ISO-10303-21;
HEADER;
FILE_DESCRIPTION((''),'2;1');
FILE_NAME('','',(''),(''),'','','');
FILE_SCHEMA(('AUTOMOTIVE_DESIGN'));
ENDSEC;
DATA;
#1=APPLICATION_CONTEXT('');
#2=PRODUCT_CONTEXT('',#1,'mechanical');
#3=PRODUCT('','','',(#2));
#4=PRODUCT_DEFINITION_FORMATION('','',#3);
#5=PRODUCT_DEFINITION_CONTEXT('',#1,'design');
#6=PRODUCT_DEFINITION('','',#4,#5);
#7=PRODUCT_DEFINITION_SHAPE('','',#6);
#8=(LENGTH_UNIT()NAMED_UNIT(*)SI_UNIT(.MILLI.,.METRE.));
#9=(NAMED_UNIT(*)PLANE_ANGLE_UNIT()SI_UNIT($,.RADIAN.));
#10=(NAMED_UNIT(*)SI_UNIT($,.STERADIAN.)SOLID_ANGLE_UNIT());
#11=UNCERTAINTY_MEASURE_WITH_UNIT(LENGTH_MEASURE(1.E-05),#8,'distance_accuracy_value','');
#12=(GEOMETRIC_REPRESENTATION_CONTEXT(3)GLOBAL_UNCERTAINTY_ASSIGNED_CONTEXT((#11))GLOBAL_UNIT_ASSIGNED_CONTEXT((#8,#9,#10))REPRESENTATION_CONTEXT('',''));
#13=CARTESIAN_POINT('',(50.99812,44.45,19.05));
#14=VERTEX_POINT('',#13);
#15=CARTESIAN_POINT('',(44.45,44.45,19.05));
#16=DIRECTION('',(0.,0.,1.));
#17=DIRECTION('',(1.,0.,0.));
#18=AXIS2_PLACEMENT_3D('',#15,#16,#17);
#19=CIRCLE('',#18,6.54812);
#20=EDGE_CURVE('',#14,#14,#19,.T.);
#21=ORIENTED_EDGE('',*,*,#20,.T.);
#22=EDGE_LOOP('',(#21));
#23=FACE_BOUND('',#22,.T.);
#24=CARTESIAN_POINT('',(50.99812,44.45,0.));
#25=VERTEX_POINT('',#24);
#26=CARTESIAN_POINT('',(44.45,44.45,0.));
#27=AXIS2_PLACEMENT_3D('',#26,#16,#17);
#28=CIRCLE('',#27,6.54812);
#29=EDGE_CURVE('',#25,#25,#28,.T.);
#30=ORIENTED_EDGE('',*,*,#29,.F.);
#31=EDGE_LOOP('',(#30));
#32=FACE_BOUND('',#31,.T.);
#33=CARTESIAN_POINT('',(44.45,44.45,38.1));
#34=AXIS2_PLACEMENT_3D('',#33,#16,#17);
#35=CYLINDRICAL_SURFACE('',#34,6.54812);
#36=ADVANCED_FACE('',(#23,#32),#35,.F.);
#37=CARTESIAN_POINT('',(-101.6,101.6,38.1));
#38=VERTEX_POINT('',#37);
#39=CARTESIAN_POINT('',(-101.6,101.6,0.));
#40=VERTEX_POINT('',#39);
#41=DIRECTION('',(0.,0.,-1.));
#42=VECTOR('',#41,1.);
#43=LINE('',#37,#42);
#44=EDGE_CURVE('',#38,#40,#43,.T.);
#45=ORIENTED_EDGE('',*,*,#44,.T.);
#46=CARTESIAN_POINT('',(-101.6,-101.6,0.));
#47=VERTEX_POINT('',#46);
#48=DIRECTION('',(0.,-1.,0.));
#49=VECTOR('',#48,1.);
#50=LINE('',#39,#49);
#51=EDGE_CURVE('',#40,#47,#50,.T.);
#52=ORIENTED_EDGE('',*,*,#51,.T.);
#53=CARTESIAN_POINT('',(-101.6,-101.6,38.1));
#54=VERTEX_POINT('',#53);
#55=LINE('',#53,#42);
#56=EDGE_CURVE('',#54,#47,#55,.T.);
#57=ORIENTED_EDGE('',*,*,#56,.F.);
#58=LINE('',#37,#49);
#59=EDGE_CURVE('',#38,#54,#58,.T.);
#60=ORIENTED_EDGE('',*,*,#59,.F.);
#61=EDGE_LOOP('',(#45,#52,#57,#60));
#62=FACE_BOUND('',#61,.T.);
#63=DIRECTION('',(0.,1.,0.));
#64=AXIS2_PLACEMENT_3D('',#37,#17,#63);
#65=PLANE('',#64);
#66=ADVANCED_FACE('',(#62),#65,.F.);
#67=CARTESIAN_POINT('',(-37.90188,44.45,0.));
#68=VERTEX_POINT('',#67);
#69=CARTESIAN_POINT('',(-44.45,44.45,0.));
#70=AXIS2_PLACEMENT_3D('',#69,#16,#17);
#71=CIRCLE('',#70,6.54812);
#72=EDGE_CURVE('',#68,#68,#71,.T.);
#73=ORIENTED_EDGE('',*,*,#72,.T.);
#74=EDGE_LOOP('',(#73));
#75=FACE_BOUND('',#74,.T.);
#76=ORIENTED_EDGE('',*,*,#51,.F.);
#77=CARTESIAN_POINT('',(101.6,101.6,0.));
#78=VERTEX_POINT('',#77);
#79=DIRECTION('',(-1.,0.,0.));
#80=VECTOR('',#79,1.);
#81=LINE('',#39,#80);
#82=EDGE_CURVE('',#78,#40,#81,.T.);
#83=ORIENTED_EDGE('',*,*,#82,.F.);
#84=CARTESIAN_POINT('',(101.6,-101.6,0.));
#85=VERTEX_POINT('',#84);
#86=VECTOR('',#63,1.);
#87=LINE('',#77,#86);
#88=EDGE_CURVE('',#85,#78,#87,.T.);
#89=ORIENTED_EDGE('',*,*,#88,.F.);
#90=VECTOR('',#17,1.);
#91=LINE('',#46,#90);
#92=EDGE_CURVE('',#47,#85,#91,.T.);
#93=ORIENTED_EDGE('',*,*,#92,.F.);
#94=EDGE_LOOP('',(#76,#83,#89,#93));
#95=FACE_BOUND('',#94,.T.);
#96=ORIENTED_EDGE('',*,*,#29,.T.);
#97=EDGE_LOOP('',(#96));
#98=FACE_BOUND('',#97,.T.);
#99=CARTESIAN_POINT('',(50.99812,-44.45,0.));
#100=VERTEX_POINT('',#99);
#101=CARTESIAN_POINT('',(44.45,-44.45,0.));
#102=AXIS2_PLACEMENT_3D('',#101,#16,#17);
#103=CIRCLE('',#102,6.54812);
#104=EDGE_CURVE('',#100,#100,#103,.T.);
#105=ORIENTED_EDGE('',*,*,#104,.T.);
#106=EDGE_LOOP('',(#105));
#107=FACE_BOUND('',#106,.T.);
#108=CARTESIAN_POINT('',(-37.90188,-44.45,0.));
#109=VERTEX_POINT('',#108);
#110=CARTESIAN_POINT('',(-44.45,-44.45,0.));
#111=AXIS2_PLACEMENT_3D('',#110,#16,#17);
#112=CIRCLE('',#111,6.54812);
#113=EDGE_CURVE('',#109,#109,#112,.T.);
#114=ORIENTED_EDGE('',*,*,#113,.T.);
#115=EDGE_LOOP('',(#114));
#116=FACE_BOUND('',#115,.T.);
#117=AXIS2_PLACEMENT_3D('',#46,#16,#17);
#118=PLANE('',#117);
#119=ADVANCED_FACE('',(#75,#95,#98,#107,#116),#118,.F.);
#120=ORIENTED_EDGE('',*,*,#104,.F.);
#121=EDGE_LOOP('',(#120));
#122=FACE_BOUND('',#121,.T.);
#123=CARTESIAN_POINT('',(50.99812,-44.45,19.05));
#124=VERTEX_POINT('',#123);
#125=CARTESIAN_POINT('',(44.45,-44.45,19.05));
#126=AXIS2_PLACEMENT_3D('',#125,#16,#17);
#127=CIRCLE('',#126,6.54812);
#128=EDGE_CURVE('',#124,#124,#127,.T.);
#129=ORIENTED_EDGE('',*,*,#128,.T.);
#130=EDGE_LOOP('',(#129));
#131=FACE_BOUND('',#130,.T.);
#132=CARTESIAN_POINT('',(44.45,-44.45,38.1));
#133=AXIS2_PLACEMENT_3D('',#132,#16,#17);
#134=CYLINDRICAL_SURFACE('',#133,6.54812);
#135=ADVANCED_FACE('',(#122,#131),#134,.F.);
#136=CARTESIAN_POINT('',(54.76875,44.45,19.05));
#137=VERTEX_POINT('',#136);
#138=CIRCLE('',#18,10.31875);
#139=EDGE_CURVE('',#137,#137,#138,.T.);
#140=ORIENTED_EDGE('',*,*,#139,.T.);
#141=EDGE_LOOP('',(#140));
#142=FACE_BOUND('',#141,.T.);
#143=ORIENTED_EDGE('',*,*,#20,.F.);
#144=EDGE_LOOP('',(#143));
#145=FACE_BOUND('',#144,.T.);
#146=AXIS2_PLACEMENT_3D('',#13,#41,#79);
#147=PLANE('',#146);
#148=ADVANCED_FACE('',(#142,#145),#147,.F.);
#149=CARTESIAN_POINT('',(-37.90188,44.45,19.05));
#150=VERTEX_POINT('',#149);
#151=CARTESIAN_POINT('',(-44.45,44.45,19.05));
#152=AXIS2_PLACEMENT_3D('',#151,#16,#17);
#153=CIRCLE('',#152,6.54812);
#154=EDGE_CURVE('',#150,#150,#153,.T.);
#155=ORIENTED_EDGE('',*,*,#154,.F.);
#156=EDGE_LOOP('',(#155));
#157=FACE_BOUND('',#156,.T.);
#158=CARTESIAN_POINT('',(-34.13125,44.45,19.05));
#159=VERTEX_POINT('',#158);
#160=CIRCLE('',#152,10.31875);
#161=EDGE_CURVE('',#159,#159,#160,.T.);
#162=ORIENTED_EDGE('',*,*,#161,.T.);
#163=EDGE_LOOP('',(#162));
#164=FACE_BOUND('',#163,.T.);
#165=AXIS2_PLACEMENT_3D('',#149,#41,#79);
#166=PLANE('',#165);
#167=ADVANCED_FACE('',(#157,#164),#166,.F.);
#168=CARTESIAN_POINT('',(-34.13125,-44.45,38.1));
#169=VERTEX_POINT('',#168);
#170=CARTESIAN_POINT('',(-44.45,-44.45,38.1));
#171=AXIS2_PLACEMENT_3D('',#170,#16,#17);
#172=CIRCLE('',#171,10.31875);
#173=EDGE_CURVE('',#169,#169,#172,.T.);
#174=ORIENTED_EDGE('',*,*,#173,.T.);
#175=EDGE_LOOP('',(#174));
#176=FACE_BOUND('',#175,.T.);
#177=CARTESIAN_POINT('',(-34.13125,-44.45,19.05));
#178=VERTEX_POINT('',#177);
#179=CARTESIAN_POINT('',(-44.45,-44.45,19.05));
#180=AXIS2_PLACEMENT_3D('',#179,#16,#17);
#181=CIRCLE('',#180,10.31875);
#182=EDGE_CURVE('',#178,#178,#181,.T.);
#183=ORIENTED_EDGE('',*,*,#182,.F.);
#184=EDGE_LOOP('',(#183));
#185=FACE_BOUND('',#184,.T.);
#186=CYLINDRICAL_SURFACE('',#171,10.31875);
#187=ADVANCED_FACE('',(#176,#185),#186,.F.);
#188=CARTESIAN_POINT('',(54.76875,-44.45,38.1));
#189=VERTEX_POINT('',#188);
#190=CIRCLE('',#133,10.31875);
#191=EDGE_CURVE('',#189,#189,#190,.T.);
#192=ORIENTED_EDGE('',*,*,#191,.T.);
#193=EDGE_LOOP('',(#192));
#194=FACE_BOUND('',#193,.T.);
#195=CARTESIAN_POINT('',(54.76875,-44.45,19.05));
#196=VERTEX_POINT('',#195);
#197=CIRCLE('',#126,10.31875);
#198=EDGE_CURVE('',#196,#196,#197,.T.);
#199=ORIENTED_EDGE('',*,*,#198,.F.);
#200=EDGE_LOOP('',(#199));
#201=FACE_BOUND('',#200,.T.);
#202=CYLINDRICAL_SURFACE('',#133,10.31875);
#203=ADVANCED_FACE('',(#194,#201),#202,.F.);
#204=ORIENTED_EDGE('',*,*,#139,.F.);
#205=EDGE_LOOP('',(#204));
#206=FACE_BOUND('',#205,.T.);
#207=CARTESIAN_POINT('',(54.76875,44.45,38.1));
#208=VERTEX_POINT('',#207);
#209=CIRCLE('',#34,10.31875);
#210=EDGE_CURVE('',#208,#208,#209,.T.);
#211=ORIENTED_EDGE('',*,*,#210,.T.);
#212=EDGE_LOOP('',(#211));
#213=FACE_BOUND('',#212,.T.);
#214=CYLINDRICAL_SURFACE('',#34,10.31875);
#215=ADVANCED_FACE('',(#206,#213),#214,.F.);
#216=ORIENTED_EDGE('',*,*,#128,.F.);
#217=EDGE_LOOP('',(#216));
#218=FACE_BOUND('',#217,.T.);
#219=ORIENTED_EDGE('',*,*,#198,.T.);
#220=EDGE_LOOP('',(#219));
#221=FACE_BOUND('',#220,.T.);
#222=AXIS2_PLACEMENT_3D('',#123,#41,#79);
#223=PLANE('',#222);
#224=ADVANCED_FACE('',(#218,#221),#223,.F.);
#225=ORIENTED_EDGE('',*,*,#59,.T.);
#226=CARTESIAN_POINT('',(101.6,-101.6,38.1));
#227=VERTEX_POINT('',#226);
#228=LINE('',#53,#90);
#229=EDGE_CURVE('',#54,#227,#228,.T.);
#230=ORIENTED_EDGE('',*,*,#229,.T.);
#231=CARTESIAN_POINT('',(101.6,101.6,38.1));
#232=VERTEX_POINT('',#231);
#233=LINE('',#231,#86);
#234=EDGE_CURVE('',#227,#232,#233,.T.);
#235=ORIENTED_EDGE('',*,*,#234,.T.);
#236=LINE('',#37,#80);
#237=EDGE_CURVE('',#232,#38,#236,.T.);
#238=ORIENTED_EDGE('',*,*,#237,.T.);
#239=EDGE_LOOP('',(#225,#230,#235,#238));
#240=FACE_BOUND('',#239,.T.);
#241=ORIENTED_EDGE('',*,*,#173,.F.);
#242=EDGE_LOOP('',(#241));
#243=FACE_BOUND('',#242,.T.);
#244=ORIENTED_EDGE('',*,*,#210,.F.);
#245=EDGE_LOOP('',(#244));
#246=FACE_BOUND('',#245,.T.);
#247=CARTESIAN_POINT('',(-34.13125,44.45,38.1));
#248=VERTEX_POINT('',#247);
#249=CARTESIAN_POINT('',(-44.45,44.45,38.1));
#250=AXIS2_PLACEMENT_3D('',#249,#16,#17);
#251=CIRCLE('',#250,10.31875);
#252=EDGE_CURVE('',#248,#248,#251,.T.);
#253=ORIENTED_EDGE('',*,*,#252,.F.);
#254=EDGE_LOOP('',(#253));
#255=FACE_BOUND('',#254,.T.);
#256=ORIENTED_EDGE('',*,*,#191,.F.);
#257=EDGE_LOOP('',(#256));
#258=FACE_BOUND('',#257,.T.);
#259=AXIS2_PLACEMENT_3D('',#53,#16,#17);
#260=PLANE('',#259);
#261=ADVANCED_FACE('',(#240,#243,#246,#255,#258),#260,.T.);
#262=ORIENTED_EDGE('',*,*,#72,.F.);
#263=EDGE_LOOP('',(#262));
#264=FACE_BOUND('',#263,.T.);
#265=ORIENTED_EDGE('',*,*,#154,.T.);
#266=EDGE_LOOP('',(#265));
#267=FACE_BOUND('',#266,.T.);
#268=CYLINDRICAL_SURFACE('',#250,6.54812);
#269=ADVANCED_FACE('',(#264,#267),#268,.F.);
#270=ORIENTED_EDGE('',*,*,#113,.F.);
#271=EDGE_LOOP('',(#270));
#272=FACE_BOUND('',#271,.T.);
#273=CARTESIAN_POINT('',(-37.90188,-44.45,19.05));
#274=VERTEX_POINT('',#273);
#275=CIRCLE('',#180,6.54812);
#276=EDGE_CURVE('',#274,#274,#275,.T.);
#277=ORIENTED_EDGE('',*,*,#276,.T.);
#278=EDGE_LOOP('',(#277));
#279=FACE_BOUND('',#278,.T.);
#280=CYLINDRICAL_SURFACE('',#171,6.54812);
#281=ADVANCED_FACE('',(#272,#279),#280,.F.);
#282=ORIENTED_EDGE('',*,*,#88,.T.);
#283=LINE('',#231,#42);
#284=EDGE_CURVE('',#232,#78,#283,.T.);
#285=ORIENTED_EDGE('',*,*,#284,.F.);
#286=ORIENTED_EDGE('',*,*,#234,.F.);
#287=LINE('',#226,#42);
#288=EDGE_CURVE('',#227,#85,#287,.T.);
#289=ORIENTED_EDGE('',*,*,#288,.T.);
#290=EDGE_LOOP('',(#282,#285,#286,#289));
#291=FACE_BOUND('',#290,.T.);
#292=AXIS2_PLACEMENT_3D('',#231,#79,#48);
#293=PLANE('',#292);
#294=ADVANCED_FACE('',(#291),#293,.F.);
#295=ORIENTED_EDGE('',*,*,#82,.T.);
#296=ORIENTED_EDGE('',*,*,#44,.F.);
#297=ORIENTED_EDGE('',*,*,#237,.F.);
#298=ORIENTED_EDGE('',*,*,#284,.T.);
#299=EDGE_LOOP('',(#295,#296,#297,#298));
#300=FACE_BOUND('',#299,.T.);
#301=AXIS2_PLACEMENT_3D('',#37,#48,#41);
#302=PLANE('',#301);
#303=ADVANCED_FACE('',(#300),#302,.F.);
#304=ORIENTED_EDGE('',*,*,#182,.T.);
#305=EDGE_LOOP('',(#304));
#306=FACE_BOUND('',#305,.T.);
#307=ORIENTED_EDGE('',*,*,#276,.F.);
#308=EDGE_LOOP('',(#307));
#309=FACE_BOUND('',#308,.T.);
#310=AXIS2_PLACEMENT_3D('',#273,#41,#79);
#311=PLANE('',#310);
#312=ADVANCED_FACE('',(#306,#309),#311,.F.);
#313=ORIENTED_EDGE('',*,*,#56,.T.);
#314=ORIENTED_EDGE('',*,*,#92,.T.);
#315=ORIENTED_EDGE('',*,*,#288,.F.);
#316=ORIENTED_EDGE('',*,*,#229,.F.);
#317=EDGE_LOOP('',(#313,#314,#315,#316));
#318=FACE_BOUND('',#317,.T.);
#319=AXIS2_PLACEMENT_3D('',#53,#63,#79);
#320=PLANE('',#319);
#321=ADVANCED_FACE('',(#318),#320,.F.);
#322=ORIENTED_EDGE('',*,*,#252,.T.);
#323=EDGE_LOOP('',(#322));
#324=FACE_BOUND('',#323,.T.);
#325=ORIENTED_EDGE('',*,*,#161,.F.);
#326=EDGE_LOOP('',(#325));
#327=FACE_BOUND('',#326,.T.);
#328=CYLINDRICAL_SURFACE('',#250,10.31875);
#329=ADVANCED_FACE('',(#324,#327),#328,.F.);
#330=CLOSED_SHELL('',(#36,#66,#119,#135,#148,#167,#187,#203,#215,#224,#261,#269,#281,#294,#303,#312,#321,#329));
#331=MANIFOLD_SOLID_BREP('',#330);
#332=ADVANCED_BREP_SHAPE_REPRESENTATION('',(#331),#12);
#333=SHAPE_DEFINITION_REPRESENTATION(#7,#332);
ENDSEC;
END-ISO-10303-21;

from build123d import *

# Parameters (mm, degrees)
SKETCH1_W                                        = 203.2
SKETCH1_H                                        = 203.2
BOSS_EXTRUDE1_DEPTH                              = 38.1
CBORE_FOR_1_2_SOCKET_HEAD_CAP_SCREW1_D           = 13.09624
CBORE_FOR_1_2_SOCKET_HEAD_CAP_SCREW1_CBORE_D     = 20.6375
CBORE_FOR_1_2_SOCKET_HEAD_CAP_SCREW1_CBORE_DEPTH = 19.05


with BuildPart() as part:
    # Sketch1 → Boss-Extrude1 (new body)
    with BuildSketch(Plane.XY):
        Rectangle(SKETCH1_W, SKETCH1_H)
    extrude(amount=BOSS_EXTRUDE1_DEPTH)

    # CBORE for 1/2 Socket Head Cap Screw1 (through all)
    with Locations(Plane.XY.offset(38.1)):
        with Locations((44.45, -44.45), (-44.45, -44.45), (-44.45, 44.45), (44.45, 44.45)):
            CounterBoreHole(CBORE_FOR_1_2_SOCKET_HEAD_CAP_SCREW1_D / 2, CBORE_FOR_1_2_SOCKET_HEAD_CAP_SCREW1_CBORE_D / 2, CBORE_FOR_1_2_SOCKET_HEAD_CAP_SCREW1_CBORE_DEPTH)


solid = part.part
